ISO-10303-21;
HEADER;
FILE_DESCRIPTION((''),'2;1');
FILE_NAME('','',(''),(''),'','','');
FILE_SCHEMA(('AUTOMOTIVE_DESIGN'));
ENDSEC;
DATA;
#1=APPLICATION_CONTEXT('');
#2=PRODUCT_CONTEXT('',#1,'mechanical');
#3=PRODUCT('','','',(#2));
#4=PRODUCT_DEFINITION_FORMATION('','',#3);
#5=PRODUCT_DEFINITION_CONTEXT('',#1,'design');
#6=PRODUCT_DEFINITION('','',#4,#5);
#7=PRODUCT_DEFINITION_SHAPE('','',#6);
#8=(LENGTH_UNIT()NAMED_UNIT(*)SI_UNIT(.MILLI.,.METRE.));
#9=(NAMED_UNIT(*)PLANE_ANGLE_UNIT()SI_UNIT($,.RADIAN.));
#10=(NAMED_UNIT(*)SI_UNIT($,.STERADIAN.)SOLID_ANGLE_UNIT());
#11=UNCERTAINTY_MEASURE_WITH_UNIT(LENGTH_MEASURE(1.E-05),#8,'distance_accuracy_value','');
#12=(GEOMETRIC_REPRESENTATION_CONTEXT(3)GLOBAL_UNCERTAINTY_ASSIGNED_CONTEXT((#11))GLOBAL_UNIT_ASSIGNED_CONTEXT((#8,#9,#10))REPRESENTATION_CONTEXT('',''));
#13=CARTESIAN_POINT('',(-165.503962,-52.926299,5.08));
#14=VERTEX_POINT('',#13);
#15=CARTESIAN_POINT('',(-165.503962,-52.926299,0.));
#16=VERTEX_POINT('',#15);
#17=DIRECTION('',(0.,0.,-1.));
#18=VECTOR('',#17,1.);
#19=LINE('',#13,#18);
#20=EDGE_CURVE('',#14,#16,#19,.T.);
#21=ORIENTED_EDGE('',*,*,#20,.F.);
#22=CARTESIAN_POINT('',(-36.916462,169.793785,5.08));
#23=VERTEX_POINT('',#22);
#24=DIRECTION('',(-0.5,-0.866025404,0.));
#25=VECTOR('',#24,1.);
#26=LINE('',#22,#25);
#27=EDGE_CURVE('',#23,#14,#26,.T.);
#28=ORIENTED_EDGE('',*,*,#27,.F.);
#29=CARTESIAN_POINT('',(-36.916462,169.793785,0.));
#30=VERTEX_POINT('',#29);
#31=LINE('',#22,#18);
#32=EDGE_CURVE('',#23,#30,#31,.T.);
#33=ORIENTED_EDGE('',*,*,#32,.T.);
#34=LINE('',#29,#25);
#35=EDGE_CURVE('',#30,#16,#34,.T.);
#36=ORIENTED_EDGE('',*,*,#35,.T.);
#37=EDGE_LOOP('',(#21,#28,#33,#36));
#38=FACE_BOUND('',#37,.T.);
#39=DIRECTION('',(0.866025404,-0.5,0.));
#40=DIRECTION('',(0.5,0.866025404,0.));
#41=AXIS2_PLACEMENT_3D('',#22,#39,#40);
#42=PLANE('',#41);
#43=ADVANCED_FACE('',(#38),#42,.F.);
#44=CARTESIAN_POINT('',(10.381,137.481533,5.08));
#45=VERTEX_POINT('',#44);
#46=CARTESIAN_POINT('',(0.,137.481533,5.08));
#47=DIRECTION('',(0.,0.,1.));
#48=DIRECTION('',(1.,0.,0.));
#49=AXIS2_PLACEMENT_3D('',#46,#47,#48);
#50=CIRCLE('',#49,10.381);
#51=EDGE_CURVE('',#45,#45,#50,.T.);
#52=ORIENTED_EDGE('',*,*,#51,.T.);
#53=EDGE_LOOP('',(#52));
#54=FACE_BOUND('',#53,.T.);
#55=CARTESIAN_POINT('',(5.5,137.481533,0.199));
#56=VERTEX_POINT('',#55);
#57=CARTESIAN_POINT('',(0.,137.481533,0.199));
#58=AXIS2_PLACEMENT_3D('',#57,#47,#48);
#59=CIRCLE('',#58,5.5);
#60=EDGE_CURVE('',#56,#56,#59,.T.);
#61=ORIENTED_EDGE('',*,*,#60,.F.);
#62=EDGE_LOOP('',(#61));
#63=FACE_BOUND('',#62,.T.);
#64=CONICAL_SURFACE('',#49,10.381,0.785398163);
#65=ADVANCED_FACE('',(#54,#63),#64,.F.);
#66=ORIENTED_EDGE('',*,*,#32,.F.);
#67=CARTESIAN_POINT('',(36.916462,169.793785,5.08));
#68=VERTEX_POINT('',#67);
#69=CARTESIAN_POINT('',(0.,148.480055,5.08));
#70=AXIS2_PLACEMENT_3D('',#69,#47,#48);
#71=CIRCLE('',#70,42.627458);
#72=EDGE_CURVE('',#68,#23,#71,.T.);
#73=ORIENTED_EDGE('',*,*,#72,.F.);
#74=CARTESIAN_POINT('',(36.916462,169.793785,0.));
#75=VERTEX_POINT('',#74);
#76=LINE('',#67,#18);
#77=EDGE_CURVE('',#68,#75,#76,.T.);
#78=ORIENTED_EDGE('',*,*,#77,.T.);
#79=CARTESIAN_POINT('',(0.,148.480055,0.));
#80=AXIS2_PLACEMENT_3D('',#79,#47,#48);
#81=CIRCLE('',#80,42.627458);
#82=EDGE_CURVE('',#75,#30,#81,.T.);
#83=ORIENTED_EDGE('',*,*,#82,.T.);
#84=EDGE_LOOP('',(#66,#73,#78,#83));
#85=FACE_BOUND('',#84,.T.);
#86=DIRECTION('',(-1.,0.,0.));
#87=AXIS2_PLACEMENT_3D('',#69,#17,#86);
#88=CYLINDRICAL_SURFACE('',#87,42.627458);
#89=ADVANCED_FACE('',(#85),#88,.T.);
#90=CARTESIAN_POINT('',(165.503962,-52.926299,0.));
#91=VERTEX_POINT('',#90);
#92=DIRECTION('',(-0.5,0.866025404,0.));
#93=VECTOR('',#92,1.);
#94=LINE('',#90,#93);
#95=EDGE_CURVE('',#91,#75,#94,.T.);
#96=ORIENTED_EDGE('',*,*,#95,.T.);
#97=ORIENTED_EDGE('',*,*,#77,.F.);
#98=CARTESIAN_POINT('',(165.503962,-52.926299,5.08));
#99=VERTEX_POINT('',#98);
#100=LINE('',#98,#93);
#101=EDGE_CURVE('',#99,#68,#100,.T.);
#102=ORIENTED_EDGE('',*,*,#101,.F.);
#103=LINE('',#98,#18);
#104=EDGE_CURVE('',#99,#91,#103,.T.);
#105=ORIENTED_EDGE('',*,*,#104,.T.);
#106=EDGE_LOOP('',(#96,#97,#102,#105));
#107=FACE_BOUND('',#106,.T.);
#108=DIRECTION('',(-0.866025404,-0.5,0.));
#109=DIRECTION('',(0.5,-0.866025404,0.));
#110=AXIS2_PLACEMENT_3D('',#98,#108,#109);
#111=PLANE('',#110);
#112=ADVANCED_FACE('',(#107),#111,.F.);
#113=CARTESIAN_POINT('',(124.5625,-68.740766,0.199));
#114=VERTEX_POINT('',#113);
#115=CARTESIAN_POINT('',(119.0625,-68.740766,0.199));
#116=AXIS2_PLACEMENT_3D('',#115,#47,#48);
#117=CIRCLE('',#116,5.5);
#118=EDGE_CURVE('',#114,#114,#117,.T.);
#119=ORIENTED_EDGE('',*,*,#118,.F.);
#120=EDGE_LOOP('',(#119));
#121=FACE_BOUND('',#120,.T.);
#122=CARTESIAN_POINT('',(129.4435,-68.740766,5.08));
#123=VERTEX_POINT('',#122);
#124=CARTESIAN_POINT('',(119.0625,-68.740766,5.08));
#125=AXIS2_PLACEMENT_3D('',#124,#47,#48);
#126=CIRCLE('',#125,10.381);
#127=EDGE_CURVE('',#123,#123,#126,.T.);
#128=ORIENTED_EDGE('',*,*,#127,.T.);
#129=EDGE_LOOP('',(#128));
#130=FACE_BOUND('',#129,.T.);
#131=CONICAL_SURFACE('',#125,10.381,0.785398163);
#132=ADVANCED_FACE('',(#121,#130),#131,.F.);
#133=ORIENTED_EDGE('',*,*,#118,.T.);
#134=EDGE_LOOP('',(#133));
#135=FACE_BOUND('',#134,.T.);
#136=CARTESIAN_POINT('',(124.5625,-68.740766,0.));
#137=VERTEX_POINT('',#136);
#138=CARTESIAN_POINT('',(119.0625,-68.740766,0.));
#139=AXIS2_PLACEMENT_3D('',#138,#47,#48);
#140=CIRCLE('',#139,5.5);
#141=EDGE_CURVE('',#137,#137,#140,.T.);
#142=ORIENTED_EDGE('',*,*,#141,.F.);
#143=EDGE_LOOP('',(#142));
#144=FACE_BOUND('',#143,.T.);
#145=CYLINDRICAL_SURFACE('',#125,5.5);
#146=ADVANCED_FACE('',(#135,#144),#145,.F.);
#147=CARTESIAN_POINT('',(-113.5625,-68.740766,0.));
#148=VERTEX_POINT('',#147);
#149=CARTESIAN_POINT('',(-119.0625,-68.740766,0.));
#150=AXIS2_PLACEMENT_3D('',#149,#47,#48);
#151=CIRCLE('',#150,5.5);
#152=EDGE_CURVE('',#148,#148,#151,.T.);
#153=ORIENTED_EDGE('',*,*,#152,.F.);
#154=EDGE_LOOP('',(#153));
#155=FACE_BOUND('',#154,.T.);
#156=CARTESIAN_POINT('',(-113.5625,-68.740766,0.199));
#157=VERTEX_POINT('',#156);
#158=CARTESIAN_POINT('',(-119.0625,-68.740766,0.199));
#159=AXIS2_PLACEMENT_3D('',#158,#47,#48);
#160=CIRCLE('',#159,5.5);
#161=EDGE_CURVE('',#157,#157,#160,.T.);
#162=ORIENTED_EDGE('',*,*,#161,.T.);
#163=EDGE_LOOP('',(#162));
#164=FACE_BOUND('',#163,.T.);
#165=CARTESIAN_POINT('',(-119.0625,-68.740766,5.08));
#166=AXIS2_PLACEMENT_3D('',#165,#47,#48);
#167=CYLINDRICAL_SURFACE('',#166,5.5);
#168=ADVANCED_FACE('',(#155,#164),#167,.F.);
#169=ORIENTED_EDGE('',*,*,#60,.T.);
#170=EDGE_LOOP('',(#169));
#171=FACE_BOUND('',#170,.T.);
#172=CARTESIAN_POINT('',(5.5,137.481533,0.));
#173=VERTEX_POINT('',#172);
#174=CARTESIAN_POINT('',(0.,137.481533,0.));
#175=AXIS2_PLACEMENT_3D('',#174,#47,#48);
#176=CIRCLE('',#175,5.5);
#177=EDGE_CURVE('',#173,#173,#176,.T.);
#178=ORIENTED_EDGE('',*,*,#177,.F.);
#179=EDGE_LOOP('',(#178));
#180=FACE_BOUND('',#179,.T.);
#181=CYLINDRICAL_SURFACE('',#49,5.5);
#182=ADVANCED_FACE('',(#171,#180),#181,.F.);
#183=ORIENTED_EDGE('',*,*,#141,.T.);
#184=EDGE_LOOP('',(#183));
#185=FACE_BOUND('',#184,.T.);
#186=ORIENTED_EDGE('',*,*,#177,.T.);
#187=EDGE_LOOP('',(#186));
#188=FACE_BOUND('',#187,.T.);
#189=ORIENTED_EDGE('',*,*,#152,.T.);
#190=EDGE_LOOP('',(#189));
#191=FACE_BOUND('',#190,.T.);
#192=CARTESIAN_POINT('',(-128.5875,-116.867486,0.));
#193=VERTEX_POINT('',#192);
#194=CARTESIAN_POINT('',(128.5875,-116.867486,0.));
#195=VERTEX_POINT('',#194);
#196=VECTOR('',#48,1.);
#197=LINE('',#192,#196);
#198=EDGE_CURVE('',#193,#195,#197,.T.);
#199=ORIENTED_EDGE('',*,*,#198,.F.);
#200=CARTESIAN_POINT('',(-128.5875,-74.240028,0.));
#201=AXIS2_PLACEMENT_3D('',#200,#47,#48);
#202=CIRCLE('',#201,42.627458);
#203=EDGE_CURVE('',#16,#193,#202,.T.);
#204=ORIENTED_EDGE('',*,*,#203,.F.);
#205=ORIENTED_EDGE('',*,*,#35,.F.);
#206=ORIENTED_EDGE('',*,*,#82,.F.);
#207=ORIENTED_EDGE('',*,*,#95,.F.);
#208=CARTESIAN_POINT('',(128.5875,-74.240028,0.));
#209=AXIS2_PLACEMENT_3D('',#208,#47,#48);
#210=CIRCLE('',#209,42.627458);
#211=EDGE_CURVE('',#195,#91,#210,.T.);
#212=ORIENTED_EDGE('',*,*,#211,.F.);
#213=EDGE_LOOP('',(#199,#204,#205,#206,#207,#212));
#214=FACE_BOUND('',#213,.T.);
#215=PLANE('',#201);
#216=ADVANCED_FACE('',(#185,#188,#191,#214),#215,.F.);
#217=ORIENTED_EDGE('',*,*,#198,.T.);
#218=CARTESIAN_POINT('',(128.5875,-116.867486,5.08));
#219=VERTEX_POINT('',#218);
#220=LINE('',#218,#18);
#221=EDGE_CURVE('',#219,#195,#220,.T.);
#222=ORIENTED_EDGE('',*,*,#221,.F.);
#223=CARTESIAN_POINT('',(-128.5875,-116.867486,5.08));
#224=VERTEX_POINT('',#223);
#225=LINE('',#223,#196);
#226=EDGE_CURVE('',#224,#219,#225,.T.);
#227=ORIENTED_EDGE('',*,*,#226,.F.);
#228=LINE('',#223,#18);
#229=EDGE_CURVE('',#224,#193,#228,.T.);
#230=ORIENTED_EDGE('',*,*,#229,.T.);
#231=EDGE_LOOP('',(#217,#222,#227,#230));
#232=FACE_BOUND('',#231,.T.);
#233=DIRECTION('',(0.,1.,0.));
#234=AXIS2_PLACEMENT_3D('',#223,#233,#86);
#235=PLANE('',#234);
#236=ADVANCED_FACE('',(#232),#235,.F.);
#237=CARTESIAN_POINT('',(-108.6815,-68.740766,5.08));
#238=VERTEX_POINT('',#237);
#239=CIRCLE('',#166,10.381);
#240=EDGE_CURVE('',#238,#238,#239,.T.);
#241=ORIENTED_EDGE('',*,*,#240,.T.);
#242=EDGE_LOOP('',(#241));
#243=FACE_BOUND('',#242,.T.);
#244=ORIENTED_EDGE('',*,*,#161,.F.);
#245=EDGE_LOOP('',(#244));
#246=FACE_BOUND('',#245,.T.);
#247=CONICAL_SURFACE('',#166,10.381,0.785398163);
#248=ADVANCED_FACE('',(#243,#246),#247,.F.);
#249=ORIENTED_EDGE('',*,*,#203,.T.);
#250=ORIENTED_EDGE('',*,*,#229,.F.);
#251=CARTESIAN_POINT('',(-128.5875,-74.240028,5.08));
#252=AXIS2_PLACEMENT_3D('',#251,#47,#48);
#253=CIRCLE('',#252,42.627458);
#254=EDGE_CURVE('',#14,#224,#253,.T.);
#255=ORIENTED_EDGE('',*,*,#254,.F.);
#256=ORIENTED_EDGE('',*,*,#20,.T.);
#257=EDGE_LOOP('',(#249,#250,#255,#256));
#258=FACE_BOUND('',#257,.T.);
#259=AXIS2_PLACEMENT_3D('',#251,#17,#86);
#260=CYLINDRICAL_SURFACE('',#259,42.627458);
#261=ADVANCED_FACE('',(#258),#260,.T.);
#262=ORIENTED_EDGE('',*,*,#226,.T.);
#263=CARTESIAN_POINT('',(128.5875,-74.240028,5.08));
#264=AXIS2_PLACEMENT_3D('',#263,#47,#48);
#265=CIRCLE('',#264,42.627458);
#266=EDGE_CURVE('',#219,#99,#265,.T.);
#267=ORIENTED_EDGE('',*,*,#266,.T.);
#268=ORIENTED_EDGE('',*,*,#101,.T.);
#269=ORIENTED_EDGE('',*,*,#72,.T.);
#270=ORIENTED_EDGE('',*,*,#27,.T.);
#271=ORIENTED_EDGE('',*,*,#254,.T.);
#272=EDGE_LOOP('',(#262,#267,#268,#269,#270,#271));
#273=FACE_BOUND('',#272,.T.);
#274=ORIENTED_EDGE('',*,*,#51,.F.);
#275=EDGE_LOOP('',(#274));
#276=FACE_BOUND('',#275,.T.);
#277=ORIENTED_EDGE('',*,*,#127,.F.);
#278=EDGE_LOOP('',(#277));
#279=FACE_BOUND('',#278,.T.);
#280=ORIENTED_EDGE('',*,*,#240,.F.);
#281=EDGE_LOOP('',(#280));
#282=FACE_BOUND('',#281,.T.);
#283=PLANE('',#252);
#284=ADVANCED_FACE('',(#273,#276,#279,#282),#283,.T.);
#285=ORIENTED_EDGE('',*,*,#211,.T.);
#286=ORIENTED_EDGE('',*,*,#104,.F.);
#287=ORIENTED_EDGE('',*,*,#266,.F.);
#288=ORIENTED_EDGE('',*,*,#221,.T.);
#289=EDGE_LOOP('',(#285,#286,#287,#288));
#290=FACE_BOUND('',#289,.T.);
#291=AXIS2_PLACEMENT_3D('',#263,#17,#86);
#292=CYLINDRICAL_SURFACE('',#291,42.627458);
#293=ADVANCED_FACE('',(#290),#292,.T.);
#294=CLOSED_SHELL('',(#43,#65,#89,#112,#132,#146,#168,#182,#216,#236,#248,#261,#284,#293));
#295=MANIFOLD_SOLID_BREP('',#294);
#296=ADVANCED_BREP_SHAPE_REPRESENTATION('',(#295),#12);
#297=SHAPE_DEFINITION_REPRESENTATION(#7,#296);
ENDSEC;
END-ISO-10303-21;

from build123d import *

# Parameters (mm, degrees)
BOSS_EXTRUDE1_DEPTH                           = 5.08
CSK_FOR_M10_FLAT_HEAD_MACHINE_SCREW1_AT_COUNT = 2
CSK_FOR_M10_FLAT_HEAD_MACHINE_SCREW1_AT_PITCH = 238.125
CSK_FOR_M10_FLAT_HEAD_MACHINE_SCREW1_2_COUNT  = 2
CSK_FOR_M10_FLAT_HEAD_MACHINE_SCREW1_2_PITCH  = 238.125


with BuildPart() as part:
    # Sketch1 → Boss-Extrude1 (new body)
    with BuildSketch(Plane.XY):
        with BuildLine():
            Line((-128.5875, -116.86748613), (128.5875, -116.86748613))
            ThreePointArc((128.5875, -116.86748613), (165.503961865, -95.553756935), (165.503961865, -52.926298544))
            Line((165.503961865, -52.926298544), (36.916461865, 169.793784674))
            ThreePointArc((36.916461865, 169.793784674), (0, 191.10751387), (-36.916461865, 169.793784674))
            Line((-36.916461865, 169.793784674), (-165.503961865, -52.926298544))
            ThreePointArc((-165.503961865, -52.926298544), (-165.503961865, -95.553756935), (-128.5875, -116.86748613))
        make_face()
    extrude(amount=BOSS_EXTRUDE1_DEPTH)

    # Sketch3 → CSK for M10 Flat Head Machine Screw1 (revolve, cut)
    with BuildSketch(Plane(origin=(0, 137.481532851, 5.08), x_dir=(0, -1, 0), z_dir=(1, 0, 0))):
        Polygon((0, 0), (0, 5.08), (5.5, 5.08), (5.5, 4.881), (10.381, 0), align=None)
    csk_for_m10_flat_head_machine_screw1 = revolve(axis=Axis((0, 137.481532851, 11.43), (0, 0, -1)), mode=Mode.SUBTRACT)

    # CSK for M10 Flat Head Machine Screw1 at: CSK for M10 Flat Head Machine Screw1 ×2
    with Locations(*[Vector(-0.5, -0.8660254037844387, 0) * (i * CSK_FOR_M10_FLAT_HEAD_MACHINE_SCREW1_AT_PITCH) for i in range(1, CSK_FOR_M10_FLAT_HEAD_MACHINE_SCREW1_AT_COUNT)]):
        add(csk_for_m10_flat_head_machine_screw1, mode=Mode.SUBTRACT)

    # CSK for M10 Flat Head Machine Screw1 2: CSK for M10 Flat Head Machine Screw1 ×2
    with Locations(*[Vector(0.5, -0.8660254037844387, 0) * (i * CSK_FOR_M10_FLAT_HEAD_MACHINE_SCREW1_2_PITCH) for i in range(1, CSK_FOR_M10_FLAT_HEAD_MACHINE_SCREW1_2_COUNT)]):
        add(csk_for_m10_flat_head_machine_screw1, mode=Mode.SUBTRACT)


solid = part.part
